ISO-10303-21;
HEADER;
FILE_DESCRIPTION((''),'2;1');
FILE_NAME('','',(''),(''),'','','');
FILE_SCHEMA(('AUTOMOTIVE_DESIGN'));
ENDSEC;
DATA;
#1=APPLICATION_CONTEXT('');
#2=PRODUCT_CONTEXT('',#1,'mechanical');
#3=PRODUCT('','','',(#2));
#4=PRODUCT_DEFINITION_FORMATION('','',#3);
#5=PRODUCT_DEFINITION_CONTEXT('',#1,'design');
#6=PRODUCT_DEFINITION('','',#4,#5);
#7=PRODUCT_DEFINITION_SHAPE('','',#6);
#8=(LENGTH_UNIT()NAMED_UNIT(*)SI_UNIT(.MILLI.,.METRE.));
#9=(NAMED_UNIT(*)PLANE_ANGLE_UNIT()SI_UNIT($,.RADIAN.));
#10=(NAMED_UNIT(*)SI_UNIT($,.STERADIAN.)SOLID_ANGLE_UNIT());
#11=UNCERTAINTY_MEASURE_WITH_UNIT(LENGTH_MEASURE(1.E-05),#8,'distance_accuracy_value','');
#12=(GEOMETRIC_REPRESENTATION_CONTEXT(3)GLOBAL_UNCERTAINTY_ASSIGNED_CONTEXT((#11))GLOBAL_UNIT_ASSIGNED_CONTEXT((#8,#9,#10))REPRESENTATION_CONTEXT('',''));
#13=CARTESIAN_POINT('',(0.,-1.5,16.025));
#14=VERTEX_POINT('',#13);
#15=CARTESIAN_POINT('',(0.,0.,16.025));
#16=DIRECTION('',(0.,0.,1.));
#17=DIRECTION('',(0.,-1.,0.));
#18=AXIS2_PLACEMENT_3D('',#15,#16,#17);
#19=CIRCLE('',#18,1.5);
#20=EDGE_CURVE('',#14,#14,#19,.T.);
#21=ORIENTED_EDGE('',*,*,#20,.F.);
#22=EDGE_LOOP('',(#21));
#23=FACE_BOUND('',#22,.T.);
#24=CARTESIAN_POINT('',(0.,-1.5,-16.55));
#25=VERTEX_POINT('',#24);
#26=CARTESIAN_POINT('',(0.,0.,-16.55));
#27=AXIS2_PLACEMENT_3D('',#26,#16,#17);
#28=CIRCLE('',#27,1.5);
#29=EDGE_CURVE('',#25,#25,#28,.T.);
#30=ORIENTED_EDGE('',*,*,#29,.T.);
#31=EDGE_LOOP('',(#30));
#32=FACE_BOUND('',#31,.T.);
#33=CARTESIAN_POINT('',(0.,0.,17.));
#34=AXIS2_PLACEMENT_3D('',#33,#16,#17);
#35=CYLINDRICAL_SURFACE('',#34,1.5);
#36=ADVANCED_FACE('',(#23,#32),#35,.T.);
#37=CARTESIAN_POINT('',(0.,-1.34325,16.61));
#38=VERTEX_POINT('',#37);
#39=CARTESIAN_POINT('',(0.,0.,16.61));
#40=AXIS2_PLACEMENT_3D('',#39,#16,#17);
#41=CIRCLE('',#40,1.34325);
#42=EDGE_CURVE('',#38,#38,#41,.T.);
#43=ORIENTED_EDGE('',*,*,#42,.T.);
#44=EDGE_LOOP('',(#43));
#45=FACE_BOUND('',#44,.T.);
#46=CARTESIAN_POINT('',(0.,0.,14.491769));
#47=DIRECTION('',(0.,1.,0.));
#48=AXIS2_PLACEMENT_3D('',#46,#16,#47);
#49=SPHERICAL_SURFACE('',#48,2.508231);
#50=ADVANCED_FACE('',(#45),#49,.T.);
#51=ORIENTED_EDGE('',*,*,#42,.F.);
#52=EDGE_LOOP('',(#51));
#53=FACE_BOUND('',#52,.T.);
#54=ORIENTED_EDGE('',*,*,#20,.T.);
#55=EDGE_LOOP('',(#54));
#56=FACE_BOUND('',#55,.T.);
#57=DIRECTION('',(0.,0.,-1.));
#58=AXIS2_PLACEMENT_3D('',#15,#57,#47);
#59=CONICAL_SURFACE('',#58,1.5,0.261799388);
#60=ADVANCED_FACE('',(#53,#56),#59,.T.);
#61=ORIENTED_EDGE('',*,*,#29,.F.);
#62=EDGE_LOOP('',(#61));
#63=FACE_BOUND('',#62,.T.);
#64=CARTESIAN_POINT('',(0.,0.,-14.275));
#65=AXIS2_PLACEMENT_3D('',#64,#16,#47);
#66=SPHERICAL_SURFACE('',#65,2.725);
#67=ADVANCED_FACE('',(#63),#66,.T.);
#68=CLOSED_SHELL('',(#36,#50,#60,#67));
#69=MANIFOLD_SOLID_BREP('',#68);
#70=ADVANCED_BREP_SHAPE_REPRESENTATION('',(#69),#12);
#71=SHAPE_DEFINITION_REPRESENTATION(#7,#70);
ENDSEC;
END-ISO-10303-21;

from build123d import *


with BuildPart() as part:
    # Sketch3 → Revolve1 (revolve)
    with BuildSketch(Plane(origin=(0, 0, 0), x_dir=(0, 0, -1), z_dir=(1, 0, 0))):
        with BuildLine():
            Line((-17, 0), (17, 0))
            ThreePointArc((17, 0), (16.885076627, 0.783022988), (16.55, 1.5))
            Line((16.55, 1.5), (-16.025, 1.5))
            Line((-16.025, 1.5), (-16.61, 1.343249722))
            ThreePointArc((-16.61, 1.343249722), (-16.90052754, 0.699360389), (-17, 0))
        make_face()
    revolve(axis=Axis((0, 0, 17), (0, 0, -1)))


solid = part.part
